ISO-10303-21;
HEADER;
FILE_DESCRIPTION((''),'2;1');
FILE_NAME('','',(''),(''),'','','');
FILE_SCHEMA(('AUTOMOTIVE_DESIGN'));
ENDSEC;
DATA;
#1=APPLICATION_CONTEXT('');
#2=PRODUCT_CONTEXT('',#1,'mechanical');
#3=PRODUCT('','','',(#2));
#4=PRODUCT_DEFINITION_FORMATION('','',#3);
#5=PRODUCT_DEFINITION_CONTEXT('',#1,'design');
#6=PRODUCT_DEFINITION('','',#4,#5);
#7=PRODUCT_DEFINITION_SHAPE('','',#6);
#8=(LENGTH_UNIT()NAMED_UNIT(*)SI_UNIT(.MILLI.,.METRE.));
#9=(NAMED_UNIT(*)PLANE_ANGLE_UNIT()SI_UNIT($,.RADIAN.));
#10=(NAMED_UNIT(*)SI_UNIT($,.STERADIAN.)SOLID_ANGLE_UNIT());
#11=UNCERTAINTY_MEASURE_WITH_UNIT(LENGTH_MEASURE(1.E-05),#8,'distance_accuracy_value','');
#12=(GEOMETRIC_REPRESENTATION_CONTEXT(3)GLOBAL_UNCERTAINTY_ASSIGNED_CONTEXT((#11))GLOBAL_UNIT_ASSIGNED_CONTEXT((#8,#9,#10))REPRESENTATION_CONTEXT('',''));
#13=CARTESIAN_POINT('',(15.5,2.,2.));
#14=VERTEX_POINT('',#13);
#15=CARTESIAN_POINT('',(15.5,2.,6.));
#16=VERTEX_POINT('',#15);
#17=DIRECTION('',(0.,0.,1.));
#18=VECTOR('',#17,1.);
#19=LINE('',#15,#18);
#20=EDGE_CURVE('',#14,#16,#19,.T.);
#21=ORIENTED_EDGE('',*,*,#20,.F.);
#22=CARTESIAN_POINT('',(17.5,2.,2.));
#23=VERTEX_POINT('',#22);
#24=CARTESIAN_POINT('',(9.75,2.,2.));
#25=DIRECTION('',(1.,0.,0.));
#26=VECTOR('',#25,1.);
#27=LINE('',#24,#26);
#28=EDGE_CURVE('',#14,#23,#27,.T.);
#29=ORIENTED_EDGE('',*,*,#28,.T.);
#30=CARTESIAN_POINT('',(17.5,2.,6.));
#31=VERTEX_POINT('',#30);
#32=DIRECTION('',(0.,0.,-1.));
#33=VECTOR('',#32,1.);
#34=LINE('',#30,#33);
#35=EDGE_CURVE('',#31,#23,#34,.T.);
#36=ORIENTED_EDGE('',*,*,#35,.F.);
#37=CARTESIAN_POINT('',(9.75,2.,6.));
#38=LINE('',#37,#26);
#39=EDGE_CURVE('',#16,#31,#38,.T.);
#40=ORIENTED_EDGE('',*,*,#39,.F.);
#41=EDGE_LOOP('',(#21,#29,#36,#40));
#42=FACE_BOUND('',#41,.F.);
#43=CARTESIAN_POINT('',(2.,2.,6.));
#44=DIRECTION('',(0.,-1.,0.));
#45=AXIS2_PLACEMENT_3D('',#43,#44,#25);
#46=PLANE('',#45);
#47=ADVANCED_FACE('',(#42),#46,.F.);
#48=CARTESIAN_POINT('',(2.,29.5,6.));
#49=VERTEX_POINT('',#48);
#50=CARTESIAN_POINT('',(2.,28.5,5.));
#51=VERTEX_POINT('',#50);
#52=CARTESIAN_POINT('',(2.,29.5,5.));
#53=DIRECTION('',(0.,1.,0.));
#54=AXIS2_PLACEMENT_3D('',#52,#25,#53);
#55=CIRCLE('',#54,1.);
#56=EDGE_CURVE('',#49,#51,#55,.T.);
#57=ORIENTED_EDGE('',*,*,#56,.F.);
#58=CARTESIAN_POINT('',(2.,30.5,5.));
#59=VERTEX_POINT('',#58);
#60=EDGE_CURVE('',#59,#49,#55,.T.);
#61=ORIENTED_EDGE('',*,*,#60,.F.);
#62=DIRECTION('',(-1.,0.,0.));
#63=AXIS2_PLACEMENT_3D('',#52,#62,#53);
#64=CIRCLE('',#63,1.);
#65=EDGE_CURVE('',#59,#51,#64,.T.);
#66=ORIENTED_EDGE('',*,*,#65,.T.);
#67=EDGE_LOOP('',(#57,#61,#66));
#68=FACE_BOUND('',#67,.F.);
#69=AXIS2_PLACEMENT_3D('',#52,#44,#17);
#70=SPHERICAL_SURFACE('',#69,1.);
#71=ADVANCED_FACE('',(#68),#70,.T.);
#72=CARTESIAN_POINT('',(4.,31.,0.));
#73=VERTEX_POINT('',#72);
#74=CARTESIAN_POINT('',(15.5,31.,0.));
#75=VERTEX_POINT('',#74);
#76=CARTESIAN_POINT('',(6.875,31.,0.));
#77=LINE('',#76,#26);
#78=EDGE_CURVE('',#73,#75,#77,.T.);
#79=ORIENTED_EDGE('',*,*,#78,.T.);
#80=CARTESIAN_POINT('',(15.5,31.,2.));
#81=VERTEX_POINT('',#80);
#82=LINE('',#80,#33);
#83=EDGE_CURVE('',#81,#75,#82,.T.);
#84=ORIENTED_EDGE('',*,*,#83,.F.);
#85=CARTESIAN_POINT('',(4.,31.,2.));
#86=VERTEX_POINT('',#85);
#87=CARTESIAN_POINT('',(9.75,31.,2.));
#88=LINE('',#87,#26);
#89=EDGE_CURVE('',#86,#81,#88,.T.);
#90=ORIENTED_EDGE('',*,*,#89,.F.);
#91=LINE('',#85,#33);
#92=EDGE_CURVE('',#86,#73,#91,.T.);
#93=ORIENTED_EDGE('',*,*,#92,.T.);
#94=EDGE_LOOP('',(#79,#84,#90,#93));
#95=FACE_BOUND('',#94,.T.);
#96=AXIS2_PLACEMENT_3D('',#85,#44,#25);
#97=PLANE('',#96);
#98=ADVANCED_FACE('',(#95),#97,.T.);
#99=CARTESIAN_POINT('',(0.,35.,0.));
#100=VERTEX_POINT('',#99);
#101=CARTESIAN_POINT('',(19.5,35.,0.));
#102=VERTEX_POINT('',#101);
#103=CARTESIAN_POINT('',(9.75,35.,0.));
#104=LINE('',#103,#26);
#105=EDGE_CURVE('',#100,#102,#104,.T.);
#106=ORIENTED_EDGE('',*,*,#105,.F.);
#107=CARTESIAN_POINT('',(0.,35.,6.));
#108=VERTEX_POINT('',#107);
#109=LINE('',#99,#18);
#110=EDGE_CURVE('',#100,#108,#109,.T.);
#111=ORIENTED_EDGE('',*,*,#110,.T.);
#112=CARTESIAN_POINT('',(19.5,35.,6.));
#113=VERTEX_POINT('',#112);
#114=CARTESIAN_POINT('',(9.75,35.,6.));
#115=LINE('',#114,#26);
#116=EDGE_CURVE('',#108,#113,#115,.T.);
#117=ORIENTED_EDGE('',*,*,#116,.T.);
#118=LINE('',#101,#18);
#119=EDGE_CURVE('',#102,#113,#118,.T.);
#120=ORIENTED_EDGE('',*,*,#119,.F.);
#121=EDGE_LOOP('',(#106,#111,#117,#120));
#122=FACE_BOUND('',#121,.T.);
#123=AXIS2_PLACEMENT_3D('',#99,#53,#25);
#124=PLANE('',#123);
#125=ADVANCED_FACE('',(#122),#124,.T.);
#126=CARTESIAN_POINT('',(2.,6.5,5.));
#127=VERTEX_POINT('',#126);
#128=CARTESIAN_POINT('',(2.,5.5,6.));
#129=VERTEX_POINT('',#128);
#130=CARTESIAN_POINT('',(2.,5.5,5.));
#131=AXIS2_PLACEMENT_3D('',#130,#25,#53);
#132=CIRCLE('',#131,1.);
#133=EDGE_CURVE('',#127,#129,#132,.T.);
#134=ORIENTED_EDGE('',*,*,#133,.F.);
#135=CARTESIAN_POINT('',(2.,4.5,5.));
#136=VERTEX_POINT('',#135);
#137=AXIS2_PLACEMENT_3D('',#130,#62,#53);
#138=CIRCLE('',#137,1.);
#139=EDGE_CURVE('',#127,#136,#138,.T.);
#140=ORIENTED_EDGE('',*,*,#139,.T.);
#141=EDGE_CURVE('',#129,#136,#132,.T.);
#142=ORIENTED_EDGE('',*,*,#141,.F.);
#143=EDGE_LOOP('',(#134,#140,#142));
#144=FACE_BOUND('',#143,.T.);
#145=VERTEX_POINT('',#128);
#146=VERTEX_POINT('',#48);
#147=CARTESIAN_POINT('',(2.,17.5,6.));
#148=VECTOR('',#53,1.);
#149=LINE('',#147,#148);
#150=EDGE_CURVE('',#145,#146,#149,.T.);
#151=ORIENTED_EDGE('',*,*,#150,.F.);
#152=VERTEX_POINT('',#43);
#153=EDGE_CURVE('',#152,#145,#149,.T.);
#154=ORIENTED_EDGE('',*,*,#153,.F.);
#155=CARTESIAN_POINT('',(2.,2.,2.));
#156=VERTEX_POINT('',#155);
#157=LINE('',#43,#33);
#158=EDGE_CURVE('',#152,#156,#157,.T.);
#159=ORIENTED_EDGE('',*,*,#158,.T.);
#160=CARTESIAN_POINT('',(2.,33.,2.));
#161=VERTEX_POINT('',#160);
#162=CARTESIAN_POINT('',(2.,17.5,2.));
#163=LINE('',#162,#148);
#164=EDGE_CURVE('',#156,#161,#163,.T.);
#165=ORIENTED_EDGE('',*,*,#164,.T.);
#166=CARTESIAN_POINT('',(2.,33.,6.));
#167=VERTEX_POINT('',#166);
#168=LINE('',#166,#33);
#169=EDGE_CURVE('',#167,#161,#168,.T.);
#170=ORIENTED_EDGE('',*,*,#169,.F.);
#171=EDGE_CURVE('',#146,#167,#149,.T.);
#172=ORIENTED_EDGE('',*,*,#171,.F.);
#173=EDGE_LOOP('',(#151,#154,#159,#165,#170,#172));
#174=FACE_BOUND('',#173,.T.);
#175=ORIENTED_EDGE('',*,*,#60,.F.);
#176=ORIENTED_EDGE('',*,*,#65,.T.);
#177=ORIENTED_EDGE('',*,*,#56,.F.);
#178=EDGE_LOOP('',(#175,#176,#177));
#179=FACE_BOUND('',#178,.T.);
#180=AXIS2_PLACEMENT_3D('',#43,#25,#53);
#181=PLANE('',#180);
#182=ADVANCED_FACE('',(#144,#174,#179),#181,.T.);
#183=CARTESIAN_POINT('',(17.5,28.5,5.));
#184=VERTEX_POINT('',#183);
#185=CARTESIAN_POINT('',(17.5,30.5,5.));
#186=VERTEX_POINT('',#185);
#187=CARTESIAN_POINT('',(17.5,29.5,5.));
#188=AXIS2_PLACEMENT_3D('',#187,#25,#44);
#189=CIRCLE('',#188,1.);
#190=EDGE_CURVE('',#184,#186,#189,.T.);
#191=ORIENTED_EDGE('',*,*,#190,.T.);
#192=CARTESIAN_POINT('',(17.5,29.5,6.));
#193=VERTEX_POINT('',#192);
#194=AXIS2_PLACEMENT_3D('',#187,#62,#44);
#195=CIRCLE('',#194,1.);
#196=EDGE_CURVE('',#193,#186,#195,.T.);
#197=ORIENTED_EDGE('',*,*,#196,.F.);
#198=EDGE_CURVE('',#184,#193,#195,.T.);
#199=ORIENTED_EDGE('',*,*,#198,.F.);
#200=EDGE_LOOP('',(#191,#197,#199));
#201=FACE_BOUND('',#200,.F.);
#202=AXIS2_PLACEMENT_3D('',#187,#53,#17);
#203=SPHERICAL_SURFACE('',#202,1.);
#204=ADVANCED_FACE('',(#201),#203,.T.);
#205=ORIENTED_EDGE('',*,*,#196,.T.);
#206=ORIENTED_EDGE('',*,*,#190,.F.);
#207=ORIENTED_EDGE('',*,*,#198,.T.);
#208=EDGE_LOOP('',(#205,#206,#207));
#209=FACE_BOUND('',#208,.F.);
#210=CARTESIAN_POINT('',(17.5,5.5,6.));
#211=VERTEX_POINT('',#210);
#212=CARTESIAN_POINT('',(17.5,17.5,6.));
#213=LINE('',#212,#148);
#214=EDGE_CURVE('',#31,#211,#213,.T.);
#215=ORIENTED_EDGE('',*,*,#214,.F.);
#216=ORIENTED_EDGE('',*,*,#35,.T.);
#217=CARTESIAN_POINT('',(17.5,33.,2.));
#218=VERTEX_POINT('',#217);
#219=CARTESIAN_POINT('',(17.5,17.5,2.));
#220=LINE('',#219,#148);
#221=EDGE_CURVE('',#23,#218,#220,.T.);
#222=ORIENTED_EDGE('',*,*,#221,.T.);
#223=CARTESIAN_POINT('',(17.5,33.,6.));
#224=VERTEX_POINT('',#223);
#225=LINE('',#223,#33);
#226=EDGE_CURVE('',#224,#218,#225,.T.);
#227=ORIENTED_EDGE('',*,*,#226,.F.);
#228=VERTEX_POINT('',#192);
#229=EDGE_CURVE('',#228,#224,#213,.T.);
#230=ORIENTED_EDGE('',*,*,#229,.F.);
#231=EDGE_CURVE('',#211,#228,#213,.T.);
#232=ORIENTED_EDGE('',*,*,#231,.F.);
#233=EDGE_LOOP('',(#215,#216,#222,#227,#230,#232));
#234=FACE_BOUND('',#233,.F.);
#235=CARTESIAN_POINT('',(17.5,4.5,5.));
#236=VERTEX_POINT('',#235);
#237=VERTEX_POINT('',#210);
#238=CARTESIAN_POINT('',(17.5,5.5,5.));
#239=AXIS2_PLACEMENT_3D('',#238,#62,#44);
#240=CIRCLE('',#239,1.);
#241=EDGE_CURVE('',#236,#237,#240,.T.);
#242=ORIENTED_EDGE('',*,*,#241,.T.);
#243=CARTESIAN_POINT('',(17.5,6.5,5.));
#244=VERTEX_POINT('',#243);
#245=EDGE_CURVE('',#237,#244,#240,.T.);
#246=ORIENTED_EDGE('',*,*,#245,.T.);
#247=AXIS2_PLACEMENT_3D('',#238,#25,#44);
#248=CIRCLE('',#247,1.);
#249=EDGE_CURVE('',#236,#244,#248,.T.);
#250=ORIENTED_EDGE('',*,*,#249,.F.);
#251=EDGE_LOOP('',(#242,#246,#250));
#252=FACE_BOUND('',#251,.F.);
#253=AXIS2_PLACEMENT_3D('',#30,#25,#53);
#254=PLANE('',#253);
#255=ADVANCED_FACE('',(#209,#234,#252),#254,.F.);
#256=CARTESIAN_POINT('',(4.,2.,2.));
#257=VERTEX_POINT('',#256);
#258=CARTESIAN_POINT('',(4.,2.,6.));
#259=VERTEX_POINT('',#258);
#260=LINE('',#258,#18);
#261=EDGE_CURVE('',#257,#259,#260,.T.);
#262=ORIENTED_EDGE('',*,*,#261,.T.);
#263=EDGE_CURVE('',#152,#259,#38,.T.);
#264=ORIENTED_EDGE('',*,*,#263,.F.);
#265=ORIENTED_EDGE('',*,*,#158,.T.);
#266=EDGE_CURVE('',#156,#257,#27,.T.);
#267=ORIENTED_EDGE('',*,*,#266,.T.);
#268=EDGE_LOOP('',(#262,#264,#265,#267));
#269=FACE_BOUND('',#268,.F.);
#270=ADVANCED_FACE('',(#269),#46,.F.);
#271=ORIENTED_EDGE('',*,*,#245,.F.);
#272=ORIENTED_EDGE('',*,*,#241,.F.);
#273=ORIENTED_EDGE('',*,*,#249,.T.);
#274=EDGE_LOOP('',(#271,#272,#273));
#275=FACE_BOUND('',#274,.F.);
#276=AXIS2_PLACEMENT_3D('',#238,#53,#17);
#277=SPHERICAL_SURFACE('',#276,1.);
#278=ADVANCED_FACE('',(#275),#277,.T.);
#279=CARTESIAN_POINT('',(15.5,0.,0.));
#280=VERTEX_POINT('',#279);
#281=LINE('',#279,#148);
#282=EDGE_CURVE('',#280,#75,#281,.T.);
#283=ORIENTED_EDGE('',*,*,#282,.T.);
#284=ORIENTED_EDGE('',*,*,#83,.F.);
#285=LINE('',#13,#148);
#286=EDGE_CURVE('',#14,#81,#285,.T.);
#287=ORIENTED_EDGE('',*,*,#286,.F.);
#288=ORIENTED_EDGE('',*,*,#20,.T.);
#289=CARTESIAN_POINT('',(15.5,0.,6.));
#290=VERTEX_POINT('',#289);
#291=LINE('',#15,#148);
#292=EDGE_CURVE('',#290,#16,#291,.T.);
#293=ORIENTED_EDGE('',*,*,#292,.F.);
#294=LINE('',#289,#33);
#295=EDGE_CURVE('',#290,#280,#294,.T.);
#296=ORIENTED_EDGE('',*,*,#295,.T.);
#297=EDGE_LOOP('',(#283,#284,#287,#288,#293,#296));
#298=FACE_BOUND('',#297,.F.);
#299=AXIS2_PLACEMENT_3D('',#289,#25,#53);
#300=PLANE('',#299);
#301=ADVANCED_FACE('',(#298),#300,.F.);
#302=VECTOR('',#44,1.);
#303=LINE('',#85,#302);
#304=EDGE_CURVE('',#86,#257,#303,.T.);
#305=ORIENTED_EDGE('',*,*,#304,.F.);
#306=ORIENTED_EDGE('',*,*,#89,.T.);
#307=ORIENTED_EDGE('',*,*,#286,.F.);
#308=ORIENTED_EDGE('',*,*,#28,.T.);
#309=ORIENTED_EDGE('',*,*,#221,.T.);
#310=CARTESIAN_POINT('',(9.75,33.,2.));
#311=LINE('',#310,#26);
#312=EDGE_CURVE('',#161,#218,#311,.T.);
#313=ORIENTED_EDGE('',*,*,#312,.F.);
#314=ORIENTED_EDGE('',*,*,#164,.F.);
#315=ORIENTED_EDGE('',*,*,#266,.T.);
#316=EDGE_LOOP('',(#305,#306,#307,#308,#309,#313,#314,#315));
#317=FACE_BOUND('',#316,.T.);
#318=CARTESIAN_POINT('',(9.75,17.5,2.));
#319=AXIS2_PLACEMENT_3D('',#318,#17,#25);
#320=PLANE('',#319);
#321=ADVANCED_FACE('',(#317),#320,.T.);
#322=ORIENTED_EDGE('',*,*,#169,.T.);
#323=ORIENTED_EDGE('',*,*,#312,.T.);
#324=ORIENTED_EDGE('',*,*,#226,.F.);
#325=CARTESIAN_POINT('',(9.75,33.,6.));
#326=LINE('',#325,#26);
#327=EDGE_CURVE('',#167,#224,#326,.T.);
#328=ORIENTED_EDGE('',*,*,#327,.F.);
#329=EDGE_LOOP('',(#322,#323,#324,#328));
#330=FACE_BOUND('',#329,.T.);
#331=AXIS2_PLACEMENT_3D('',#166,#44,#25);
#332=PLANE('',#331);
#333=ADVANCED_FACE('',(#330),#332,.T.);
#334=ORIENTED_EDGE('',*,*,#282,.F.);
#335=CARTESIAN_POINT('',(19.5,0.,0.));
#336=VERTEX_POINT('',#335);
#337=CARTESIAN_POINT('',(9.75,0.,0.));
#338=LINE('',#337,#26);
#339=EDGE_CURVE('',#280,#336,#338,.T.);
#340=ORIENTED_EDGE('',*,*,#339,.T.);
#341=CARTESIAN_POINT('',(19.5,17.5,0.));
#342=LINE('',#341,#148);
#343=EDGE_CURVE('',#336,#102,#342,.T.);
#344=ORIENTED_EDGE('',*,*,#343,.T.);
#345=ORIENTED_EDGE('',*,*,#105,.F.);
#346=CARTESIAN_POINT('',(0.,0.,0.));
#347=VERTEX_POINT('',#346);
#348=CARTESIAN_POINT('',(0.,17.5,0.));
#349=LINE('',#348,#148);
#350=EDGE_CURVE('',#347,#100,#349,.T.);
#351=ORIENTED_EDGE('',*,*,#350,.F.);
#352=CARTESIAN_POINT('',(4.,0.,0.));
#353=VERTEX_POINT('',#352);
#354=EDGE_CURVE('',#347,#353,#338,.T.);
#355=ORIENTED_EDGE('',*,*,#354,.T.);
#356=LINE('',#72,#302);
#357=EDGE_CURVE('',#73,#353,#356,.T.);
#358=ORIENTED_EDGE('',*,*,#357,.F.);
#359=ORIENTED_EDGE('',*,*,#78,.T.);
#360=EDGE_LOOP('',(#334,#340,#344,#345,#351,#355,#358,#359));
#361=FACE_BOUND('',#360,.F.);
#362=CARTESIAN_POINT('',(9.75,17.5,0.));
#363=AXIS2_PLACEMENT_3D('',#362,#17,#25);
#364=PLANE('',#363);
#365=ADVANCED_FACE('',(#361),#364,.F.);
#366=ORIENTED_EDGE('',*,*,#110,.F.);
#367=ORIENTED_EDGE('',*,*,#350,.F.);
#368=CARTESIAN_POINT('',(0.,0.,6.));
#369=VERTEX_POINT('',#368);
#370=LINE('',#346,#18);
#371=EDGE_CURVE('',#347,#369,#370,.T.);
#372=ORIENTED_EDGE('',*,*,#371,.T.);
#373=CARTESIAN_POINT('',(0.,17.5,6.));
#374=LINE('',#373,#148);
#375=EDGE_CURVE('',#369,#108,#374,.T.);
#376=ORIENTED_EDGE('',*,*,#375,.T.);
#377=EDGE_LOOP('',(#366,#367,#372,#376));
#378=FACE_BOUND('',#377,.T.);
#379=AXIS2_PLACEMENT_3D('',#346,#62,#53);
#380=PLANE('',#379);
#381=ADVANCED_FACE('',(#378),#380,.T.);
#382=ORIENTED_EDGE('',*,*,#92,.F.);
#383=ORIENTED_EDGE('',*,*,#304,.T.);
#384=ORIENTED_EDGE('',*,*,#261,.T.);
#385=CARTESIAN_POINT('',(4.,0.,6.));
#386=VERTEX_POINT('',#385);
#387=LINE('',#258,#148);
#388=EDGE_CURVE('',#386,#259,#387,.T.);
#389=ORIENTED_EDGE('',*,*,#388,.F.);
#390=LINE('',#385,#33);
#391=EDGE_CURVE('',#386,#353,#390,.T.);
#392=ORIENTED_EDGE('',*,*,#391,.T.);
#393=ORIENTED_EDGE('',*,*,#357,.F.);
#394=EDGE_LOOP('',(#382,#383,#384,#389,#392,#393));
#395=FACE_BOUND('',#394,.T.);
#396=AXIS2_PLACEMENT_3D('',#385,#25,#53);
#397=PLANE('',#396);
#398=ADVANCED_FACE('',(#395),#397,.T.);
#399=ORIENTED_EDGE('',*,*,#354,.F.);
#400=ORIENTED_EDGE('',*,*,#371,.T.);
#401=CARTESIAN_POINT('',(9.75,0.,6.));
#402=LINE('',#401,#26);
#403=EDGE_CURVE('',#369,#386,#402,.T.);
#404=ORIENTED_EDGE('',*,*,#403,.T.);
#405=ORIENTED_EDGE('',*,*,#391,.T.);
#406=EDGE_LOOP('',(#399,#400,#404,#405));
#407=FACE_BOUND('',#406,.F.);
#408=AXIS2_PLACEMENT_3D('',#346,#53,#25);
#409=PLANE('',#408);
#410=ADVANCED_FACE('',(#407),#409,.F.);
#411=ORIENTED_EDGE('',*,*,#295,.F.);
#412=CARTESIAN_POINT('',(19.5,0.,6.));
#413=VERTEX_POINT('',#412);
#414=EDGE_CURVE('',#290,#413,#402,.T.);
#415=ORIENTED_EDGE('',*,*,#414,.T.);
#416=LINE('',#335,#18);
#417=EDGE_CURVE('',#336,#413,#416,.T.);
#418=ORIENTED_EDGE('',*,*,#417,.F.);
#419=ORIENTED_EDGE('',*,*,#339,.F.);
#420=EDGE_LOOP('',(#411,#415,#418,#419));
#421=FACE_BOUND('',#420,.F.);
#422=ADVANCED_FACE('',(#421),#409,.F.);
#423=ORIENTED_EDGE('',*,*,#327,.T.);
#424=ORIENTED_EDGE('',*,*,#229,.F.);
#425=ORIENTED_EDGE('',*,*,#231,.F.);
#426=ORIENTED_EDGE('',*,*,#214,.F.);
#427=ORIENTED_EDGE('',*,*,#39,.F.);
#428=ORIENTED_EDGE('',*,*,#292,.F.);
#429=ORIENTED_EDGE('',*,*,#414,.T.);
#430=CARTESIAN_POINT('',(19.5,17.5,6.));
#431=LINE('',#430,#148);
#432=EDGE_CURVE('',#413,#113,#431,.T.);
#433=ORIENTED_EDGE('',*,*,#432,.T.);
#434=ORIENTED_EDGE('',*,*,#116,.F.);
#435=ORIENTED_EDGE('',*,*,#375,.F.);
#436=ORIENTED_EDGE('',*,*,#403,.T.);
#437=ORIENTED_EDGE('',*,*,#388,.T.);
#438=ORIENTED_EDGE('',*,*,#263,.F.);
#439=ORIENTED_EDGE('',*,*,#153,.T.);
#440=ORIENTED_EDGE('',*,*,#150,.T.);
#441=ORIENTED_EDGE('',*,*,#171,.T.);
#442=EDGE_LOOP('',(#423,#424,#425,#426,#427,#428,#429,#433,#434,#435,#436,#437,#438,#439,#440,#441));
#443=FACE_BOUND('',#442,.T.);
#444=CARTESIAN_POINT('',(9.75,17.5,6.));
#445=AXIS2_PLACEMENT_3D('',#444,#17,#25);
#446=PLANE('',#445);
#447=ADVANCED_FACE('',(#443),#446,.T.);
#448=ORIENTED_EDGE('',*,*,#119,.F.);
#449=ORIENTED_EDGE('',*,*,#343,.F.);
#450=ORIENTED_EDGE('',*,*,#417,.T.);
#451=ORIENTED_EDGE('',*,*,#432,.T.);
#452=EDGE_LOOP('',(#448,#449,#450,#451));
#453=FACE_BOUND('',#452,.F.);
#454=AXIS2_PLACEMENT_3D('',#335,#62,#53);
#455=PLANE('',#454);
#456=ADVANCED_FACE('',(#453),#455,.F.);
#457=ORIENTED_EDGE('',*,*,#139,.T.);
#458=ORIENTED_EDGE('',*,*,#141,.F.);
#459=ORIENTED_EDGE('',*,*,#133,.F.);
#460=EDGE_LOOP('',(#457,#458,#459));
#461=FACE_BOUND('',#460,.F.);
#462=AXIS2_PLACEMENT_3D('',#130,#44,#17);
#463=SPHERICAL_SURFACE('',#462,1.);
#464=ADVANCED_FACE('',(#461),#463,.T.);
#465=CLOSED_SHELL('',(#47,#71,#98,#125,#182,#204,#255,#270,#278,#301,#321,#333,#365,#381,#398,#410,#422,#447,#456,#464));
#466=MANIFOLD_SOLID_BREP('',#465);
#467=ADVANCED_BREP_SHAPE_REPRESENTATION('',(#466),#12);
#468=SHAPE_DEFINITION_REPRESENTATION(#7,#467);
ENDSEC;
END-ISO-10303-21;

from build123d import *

# Parameters (mm, degrees)
SKETCH070_W         = 19.5
SKETCH070_H         = 35
PAD035_DEPTH        = 6
SKETCH074_W         = 15.5
SKETCH074_H         = 31
POCKET025_DEPTH     = 4
SKETCH071_W         = 11.5
SKETCH071_H         = 27
POCKET023_DEPTH     = 2.001
SKETCH069_W         = 11.5
SKETCH069_H         = 4
POCKET024_DEPTH     = 6.001
REVOLUTION007_ANGLE = 180
REVOLUTION008_ANGLE = -180


with BuildPart() as part:
    # Sketch070 → Pad035 (new body)
    with BuildSketch(Plane.XY):
        with Locations((9.75, 17.5)):
            Rectangle(SKETCH070_W, SKETCH070_H)
    extrude(amount=PAD035_DEPTH)

    # Sketch074 (on Face6 of Pad035) → Pocket025 (cut)
    with BuildSketch(Plane.XY.offset(6)):
        with Locations((9.75, 17.5)):
            Rectangle(SKETCH074_W, SKETCH074_H)
    extrude(amount=-POCKET025_DEPTH, mode=Mode.SUBTRACT)

    # Sketch071 (on Face11 of Pocket025) → Pocket023 (cut, through all)
    with BuildSketch(Plane.XY.offset(2)):
        with Locations((9.75, 17.5)):
            Rectangle(SKETCH071_W, SKETCH071_H)
    extrude(amount=-POCKET023_DEPTH, mode=Mode.SUBTRACT)

    # Sketch069 (on Face5 of Pocket023) → Pocket024 (cut, through all)
    with BuildSketch(Plane.XY.offset(6)):
        with Locations((9.75, 2)):
            Rectangle(SKETCH069_W, SKETCH069_H)
    extrude(amount=-POCKET024_DEPTH, mode=Mode.SUBTRACT)

    # Sketch075 (on Face18 of Pocket024) → Revolution007 (revolve)
    with BuildSketch(Plane.YZ.offset(2)):
        with BuildLine():
            ThreePointArc((6.5, 5), (5.5, 6), (4.5, 5))
            Line((4.5, 5), (6.5, 5))
        make_face()
        with BuildLine():
            ThreePointArc((30.5, 5), (29.5, 6), (28.5, 5))
            Line((28.5, 5), (30.5, 5))
        make_face()
    revolve(axis=Axis((2, 6.5, 5), (0, 1, 0)), revolution_arc=REVOLUTION007_ANGLE)

    # Sketch076 (on Face17 of Revolution007) → Revolution008 (revolve)
    with BuildSketch(Plane(origin=(17.5, 0, 0), x_dir=(0, -1, 0), z_dir=(-1, 0, 0))):
        with BuildLine():
            ThreePointArc((-28.5, 5), (-29.5, 6), (-30.5, 5))
            Line((-30.5, 5), (-28.5, 5))
        make_face()
        with BuildLine():
            ThreePointArc((-4.5, 5), (-5.5, 6), (-6.5, 5))
            Line((-6.5, 5), (-4.5, 5))
        make_face()
    revolve(axis=Axis((17.5, 6.5, 5), (0, 1, 0)), revolution_arc=REVOLUTION008_ANGLE)


solid = part.part
